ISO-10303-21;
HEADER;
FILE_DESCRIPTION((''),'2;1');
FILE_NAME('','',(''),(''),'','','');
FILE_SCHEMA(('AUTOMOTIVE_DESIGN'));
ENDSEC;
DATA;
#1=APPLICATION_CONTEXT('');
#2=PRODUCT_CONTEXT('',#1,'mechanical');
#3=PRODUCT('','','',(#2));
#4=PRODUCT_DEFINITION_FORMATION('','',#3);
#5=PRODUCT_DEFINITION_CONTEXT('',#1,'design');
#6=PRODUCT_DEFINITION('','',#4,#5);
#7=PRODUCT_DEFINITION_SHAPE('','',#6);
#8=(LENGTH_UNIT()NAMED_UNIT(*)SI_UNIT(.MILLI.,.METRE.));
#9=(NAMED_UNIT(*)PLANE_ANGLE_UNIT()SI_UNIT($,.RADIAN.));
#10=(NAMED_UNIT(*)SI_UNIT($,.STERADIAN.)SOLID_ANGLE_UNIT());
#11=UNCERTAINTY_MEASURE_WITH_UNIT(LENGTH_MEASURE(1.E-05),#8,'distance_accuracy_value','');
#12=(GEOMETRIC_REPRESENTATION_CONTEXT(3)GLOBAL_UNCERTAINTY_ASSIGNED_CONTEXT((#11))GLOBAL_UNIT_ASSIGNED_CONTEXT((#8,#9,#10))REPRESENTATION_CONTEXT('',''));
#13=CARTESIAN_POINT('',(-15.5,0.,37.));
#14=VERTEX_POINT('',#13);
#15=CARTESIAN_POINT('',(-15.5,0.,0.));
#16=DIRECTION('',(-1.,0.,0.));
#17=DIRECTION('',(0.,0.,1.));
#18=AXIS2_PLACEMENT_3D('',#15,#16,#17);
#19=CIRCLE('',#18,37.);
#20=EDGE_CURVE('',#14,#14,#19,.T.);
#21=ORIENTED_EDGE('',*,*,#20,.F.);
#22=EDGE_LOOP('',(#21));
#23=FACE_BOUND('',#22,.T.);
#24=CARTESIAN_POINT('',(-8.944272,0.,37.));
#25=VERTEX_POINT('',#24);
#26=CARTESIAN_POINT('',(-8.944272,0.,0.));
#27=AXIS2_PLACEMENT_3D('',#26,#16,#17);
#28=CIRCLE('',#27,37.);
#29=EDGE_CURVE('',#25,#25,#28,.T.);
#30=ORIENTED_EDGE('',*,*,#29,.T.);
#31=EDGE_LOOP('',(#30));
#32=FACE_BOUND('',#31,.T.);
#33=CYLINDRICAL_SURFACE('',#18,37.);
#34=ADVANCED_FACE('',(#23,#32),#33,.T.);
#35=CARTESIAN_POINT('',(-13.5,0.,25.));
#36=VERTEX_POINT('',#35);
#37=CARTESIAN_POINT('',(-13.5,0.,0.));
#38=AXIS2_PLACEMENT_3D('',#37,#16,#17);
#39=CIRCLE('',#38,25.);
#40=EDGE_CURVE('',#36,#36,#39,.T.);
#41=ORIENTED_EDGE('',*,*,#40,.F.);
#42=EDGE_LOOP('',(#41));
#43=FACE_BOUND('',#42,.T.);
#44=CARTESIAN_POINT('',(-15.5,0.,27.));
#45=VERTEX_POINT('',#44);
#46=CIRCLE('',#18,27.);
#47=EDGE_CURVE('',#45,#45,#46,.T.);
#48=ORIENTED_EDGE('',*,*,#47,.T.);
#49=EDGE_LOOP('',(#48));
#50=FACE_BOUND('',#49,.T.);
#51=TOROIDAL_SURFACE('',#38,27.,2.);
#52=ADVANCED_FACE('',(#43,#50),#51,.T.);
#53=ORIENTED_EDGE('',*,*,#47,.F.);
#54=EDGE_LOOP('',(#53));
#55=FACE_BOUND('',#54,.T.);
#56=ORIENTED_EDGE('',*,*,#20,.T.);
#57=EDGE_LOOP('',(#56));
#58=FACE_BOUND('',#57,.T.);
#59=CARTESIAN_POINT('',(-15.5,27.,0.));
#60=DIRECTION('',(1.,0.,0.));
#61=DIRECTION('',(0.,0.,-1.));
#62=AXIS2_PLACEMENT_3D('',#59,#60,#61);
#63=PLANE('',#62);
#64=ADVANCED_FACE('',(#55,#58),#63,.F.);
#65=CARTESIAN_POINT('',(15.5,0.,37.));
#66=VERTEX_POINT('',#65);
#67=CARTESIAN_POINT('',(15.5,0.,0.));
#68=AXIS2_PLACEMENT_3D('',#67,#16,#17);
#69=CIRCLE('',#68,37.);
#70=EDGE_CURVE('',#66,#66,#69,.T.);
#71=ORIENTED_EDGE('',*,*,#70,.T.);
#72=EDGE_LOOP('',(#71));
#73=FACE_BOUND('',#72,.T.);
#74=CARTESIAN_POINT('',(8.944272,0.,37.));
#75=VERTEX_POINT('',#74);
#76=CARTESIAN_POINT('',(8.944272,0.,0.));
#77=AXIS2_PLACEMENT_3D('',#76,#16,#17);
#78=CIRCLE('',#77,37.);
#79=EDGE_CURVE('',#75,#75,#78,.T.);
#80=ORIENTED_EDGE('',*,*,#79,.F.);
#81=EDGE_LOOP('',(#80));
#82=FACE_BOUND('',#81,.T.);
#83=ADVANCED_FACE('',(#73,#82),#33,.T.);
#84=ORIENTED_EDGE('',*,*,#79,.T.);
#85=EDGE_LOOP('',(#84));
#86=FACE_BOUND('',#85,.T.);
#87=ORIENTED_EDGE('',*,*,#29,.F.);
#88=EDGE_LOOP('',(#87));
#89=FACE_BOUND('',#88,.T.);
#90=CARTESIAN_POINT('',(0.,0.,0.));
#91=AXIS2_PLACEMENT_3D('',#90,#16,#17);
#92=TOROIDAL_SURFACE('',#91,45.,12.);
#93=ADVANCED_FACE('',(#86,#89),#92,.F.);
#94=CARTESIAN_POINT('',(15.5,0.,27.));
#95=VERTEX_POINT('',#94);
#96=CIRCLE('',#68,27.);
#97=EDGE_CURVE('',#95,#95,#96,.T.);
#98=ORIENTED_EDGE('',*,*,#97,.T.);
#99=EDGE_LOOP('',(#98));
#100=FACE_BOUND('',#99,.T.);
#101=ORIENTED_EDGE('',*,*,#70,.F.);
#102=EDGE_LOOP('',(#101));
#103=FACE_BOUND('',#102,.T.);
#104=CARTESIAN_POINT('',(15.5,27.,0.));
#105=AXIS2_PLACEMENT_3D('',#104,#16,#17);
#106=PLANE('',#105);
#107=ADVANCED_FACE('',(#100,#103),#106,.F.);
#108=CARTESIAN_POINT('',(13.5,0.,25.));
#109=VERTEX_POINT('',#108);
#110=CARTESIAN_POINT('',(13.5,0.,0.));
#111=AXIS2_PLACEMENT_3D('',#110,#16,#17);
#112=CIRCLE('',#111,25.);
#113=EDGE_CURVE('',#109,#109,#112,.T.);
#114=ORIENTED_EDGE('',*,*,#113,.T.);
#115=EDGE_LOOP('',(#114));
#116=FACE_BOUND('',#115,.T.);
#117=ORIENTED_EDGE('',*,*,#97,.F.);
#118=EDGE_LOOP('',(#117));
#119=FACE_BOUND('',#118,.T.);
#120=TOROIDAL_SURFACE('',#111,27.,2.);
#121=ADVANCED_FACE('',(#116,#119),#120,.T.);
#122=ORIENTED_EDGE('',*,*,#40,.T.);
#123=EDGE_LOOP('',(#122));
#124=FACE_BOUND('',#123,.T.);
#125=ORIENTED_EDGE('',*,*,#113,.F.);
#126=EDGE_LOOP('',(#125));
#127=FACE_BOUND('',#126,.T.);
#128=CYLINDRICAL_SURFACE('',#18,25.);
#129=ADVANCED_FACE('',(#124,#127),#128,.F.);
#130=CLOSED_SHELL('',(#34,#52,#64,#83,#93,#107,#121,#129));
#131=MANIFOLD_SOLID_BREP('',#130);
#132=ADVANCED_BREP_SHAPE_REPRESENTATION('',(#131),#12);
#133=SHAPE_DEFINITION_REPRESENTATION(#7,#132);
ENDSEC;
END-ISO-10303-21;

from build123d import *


with BuildPart() as part:
    # Sketch1 → Revolve1 (revolve)
    with BuildSketch(Plane.XY):
        with BuildLine():
            Line((13.5, 25), (-13.5, 25))
            ThreePointArc((-13.5, 25), (-14.914213562, 25.585786438), (-15.5, 27))
            Line((-15.5, 27), (-15.5, 37))
            Line((-15.5, 37), (-8.94427191, 37))
            ThreePointArc((-8.94427191, 37), (0, 33), (8.94427191, 37))
            Line((8.94427191, 37), (15.5, 37))
            Line((15.5, 37), (15.5, 27))
            ThreePointArc((15.5, 27), (14.914213562, 25.585786438), (13.5, 25))
        make_face()
    revolve(axis=Axis((-15.5, 0, 0), (1, 0, 0)))


solid = part.part
